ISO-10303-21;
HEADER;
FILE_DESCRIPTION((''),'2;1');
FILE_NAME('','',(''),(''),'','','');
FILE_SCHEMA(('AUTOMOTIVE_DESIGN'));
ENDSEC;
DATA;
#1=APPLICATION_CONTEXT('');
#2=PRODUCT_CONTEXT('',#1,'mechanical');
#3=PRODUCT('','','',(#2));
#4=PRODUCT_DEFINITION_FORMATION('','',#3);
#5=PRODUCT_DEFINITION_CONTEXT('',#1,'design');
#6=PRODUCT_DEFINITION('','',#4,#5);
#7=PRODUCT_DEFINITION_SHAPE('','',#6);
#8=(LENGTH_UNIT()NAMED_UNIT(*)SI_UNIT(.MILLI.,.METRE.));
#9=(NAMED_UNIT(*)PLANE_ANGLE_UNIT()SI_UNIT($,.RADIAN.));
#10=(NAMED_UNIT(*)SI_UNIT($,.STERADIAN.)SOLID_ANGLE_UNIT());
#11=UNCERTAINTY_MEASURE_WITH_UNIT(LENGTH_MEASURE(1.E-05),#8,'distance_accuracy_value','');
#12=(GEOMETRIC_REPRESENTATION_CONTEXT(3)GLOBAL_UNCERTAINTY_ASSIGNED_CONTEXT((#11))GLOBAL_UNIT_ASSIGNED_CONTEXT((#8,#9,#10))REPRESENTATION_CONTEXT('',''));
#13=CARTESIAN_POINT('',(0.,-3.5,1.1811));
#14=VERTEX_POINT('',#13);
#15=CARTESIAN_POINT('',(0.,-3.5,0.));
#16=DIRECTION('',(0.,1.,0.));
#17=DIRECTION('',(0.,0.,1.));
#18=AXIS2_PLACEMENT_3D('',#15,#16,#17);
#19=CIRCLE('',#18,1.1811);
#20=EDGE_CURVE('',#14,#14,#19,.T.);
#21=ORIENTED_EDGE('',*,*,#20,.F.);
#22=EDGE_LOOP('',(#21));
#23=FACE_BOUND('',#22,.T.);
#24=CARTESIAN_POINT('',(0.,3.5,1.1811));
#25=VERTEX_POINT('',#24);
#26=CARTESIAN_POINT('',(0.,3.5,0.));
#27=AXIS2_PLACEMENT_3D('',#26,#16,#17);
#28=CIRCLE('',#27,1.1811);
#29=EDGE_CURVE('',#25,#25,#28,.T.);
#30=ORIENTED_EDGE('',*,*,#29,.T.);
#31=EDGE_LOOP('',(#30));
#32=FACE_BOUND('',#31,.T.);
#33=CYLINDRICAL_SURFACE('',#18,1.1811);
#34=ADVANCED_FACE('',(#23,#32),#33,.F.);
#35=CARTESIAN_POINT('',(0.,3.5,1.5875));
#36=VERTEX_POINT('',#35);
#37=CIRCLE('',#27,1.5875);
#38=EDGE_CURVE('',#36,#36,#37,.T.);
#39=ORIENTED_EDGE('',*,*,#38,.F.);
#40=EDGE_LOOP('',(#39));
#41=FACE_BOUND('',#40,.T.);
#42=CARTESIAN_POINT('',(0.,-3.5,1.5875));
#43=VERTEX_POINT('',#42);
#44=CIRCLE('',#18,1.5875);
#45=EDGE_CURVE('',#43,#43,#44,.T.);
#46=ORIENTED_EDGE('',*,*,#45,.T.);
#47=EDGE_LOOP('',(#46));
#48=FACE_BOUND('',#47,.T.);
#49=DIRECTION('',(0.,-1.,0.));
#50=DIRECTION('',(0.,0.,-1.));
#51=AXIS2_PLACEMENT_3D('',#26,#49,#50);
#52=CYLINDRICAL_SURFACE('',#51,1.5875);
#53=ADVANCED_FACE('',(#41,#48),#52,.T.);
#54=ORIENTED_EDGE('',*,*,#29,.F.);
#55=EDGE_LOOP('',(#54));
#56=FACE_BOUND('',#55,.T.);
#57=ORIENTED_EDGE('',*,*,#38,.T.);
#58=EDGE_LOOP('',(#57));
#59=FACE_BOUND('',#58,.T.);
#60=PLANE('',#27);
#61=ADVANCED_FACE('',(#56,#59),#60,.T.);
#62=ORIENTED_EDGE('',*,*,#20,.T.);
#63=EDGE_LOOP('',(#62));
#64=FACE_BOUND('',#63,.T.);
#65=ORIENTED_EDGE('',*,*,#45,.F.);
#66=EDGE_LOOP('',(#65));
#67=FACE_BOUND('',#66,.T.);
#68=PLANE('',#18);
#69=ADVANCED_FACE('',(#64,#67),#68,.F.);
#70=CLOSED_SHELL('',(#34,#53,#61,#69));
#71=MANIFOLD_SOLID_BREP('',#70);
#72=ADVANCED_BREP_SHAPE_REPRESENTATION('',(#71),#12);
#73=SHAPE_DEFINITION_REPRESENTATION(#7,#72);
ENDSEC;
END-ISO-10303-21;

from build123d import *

# Parameters (mm, degrees)
SKETCH1_R           = 1.5875
BOSS_EXTRUDE1_DEPTH = 3.5
SKETCH3_R           = 1.1811
CUT_EXTRUDE1_DEPTH  = 8.351211635


with BuildPart() as part:
    # Sketch1 → Boss-Extrude1 (new, symmetric)
    with BuildSketch(Plane(origin=(0, 0, 0), x_dir=(1, 0, 0), z_dir=(0, 1, 0))):
        with Locations(Location((0, 0, 0), (0, 0, 270))):
            Circle(SKETCH1_R)
    extrude(amount=BOSS_EXTRUDE1_DEPTH, both=True)

    # Sketch3 → Cut-Extrude1 (cut, through all)
    with BuildSketch(Plane(origin=(0, 3.5, 0), x_dir=(1, 0, 0), z_dir=(0, 1, 0))):
        with Locations(Location((0, 0, 0), (0, 0, 270))):
            Circle(SKETCH3_R)
    extrude(amount=-CUT_EXTRUDE1_DEPTH, mode=Mode.SUBTRACT)


solid = part.part
